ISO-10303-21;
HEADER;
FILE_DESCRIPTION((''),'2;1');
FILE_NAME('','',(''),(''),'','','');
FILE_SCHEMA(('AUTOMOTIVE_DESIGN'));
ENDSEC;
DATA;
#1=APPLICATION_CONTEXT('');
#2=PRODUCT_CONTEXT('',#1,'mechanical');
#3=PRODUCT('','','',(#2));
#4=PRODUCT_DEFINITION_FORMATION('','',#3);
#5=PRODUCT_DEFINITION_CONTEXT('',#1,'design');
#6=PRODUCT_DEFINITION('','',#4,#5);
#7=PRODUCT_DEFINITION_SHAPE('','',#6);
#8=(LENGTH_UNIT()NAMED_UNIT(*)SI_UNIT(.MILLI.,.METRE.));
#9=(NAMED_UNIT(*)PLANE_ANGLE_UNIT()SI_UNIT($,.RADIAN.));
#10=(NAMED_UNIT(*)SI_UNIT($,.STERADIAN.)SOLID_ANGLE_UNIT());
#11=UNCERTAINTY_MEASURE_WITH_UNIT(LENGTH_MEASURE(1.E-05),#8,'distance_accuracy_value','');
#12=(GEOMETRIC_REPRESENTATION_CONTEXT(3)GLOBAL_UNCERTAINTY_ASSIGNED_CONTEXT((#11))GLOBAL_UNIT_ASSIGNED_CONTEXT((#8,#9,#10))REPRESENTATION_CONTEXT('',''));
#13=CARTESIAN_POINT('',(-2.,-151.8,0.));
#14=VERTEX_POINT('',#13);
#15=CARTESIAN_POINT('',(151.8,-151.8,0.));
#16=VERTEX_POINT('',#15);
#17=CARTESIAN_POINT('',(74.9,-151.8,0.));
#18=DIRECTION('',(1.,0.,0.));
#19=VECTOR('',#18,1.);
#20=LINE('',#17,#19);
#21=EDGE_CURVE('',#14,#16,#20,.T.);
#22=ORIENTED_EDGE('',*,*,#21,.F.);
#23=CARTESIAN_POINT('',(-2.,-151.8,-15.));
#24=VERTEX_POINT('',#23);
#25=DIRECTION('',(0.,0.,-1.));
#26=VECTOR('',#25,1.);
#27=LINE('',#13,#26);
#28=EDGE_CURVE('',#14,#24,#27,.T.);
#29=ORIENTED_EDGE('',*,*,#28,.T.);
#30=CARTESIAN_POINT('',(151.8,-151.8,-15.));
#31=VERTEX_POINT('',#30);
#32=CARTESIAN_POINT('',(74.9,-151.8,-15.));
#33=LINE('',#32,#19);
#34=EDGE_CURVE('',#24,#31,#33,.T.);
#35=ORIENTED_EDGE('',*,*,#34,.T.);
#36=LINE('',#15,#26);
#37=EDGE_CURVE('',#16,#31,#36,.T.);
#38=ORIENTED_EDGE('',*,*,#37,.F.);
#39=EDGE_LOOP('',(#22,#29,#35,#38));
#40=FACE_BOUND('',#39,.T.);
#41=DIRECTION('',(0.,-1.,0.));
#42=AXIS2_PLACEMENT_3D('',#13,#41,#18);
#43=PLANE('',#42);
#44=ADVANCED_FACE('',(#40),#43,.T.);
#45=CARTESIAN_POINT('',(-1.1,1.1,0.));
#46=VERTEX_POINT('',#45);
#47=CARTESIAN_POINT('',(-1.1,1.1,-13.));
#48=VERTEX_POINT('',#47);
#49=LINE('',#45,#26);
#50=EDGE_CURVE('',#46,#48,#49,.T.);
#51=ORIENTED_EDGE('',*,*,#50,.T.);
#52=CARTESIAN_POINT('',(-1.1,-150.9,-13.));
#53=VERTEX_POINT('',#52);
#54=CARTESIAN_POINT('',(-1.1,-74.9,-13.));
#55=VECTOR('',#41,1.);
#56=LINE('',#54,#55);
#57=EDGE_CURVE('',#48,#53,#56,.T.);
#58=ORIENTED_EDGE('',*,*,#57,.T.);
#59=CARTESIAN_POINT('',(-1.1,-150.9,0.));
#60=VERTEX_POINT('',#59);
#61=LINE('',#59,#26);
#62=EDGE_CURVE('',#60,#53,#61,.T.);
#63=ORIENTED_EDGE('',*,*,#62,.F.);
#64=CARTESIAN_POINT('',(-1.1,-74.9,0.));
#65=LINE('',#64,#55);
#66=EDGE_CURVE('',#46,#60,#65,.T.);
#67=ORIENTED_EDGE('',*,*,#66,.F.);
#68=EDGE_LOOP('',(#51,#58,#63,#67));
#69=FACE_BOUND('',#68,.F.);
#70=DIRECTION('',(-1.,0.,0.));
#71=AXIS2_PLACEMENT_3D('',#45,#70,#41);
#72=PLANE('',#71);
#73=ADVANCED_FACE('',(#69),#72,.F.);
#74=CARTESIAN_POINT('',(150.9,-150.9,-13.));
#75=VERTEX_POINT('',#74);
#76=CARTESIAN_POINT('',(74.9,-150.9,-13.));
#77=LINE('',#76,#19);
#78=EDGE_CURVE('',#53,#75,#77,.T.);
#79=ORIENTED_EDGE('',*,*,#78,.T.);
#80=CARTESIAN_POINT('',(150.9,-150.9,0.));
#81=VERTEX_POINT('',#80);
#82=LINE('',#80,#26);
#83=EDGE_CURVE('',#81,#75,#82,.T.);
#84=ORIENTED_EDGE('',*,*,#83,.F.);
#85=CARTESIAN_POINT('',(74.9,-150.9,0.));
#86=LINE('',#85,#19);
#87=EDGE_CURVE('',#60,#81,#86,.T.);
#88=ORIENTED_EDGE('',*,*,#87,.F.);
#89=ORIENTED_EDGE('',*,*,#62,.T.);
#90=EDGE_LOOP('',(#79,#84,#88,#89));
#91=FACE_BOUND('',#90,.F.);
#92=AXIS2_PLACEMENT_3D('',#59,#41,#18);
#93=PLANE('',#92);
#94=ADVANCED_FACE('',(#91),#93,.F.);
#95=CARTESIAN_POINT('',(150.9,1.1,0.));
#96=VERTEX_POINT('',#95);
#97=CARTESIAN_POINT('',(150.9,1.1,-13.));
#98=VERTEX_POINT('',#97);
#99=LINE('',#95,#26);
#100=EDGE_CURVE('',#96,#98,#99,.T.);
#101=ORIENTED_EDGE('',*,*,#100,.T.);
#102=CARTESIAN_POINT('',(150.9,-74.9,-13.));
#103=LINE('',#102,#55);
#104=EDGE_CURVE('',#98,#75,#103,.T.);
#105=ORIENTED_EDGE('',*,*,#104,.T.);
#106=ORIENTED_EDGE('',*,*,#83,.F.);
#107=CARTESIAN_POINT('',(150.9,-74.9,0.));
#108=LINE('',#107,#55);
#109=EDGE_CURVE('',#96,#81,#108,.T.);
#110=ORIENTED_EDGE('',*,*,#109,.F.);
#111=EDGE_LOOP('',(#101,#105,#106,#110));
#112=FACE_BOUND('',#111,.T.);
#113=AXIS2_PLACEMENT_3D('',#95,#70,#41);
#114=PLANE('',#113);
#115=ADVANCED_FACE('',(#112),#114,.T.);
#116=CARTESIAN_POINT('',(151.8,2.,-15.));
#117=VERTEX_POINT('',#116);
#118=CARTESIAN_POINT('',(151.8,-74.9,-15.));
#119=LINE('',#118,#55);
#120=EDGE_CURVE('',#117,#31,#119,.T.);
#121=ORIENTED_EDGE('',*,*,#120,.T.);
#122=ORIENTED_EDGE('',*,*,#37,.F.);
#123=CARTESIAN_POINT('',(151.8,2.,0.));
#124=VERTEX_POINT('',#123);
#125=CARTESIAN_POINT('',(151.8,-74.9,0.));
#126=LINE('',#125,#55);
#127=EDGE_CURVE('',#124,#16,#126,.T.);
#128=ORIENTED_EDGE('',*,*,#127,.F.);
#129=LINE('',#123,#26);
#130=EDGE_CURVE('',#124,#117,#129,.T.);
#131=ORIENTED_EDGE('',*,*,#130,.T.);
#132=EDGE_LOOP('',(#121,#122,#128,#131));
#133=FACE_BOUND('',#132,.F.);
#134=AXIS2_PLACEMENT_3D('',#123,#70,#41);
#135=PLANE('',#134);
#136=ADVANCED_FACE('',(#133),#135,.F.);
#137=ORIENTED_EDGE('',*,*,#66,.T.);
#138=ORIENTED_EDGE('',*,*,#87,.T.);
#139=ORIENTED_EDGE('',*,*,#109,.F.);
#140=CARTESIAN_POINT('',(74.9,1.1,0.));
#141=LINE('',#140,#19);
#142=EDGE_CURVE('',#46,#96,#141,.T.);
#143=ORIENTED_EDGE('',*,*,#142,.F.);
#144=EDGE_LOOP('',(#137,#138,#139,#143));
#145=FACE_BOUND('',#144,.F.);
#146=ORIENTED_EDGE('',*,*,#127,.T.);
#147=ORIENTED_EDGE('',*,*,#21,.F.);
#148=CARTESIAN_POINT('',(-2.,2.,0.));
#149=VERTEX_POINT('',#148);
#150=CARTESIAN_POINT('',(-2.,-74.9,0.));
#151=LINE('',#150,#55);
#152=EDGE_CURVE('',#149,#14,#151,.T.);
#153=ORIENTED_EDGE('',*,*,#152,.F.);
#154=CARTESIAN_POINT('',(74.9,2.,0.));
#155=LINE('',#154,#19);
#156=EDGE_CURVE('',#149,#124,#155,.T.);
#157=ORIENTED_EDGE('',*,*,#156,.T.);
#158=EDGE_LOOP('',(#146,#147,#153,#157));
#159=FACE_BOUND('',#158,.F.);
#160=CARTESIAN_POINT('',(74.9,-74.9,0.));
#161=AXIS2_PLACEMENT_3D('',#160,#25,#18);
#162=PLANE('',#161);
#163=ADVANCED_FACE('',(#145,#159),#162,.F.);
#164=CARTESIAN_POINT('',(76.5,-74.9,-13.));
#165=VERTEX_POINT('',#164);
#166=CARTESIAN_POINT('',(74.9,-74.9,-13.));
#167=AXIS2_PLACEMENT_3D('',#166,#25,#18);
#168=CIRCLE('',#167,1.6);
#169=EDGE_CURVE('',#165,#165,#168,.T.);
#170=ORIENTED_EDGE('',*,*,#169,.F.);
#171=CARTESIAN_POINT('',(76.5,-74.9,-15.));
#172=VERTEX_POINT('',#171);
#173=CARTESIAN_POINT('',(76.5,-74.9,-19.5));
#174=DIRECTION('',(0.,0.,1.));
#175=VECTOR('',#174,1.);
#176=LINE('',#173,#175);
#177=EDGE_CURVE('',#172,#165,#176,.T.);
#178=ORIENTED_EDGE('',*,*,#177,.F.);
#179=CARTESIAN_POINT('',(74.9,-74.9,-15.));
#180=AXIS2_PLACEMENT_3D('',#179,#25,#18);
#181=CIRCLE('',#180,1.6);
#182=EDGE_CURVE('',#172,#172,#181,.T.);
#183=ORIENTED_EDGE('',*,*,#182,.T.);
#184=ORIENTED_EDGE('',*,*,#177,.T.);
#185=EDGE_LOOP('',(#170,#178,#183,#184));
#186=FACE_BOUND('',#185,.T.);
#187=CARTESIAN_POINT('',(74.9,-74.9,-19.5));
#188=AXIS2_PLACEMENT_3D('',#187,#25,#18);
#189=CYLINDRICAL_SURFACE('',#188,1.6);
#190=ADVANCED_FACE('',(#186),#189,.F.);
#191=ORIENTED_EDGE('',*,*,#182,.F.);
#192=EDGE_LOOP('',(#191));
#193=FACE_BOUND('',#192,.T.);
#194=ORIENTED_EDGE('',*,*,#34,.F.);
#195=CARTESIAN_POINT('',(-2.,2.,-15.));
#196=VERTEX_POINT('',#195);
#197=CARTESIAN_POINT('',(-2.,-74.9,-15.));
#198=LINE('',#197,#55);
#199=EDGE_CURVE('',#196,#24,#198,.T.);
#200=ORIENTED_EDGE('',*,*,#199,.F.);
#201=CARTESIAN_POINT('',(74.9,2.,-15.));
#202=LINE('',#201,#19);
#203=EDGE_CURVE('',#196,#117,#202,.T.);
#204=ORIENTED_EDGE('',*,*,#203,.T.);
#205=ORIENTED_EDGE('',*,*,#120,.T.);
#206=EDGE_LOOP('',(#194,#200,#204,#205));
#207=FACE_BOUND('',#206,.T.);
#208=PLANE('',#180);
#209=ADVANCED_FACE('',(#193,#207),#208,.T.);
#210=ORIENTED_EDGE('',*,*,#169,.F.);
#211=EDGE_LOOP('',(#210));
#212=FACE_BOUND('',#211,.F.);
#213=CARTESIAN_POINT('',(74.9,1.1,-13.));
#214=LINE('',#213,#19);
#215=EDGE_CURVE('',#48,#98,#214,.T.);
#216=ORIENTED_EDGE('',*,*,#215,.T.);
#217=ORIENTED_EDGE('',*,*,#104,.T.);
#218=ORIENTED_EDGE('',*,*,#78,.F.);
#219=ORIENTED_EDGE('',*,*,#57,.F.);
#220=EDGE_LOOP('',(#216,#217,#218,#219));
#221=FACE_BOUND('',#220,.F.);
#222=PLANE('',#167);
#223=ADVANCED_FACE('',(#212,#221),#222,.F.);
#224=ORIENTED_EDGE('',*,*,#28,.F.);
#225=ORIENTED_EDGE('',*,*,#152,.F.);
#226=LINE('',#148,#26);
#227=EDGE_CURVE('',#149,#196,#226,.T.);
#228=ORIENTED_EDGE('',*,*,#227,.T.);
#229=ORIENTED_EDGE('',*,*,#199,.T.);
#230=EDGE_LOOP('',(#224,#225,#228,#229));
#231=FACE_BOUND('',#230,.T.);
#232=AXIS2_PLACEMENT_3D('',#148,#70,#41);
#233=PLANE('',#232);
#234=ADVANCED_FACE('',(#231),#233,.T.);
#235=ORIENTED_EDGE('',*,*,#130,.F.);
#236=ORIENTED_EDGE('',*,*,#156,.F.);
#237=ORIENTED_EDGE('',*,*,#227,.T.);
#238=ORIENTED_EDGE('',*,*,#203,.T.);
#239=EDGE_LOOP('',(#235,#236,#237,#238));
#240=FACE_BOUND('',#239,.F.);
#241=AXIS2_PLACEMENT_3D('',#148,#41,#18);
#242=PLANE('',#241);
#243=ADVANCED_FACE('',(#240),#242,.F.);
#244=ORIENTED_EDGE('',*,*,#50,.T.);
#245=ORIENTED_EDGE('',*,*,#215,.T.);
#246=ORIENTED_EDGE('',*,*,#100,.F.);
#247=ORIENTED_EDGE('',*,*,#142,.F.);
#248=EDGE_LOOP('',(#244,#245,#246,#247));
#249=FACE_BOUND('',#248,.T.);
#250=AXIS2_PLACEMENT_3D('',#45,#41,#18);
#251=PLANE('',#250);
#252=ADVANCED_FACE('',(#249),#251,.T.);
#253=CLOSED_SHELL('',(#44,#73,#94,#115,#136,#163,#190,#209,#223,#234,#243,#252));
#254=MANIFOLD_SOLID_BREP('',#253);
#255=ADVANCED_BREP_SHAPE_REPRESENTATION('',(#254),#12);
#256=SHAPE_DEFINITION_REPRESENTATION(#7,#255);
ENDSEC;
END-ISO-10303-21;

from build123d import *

# Parameters (mm, degrees)
BOX_W             = 153.8
BOX_H             = 153.8
BOX_DEPTH         = 15
BOX001_W          = 152
BOX001_H          = 152
BOX001_DEPTH      = 13
CYLINDER002_R     = 1.6
CYLINDER002_DEPTH = 10


with BuildPart() as part:
    # Box → Box (join)
    with BuildSketch(Plane(origin=(-2, 2, 0), x_dir=(1, 0, 0), z_dir=(0, 0, -1))):
        with Locations((76.9, 76.9)):
            Rectangle(BOX_W, BOX_H)
    extrude(amount=BOX_DEPTH)

    # Box001 → Box001 (cut)
    with BuildSketch(Plane(origin=(-1.1, 1.1, 0), x_dir=(1, 0, 0), z_dir=(0, 0, -1))):
        with Locations((76, 76)):
            Rectangle(BOX001_W, BOX001_H)
    extrude(amount=BOX001_DEPTH, mode=Mode.SUBTRACT)

    # Cylinder002 → Cylinder002 (cut)
    with BuildSketch(Plane(origin=(74.9, -74.9, -19.5), x_dir=(1, 0, 0), z_dir=(0, 0, 1))):
        Circle(CYLINDER002_R)
    extrude(amount=CYLINDER002_DEPTH, mode=Mode.SUBTRACT)


solid = part.part
